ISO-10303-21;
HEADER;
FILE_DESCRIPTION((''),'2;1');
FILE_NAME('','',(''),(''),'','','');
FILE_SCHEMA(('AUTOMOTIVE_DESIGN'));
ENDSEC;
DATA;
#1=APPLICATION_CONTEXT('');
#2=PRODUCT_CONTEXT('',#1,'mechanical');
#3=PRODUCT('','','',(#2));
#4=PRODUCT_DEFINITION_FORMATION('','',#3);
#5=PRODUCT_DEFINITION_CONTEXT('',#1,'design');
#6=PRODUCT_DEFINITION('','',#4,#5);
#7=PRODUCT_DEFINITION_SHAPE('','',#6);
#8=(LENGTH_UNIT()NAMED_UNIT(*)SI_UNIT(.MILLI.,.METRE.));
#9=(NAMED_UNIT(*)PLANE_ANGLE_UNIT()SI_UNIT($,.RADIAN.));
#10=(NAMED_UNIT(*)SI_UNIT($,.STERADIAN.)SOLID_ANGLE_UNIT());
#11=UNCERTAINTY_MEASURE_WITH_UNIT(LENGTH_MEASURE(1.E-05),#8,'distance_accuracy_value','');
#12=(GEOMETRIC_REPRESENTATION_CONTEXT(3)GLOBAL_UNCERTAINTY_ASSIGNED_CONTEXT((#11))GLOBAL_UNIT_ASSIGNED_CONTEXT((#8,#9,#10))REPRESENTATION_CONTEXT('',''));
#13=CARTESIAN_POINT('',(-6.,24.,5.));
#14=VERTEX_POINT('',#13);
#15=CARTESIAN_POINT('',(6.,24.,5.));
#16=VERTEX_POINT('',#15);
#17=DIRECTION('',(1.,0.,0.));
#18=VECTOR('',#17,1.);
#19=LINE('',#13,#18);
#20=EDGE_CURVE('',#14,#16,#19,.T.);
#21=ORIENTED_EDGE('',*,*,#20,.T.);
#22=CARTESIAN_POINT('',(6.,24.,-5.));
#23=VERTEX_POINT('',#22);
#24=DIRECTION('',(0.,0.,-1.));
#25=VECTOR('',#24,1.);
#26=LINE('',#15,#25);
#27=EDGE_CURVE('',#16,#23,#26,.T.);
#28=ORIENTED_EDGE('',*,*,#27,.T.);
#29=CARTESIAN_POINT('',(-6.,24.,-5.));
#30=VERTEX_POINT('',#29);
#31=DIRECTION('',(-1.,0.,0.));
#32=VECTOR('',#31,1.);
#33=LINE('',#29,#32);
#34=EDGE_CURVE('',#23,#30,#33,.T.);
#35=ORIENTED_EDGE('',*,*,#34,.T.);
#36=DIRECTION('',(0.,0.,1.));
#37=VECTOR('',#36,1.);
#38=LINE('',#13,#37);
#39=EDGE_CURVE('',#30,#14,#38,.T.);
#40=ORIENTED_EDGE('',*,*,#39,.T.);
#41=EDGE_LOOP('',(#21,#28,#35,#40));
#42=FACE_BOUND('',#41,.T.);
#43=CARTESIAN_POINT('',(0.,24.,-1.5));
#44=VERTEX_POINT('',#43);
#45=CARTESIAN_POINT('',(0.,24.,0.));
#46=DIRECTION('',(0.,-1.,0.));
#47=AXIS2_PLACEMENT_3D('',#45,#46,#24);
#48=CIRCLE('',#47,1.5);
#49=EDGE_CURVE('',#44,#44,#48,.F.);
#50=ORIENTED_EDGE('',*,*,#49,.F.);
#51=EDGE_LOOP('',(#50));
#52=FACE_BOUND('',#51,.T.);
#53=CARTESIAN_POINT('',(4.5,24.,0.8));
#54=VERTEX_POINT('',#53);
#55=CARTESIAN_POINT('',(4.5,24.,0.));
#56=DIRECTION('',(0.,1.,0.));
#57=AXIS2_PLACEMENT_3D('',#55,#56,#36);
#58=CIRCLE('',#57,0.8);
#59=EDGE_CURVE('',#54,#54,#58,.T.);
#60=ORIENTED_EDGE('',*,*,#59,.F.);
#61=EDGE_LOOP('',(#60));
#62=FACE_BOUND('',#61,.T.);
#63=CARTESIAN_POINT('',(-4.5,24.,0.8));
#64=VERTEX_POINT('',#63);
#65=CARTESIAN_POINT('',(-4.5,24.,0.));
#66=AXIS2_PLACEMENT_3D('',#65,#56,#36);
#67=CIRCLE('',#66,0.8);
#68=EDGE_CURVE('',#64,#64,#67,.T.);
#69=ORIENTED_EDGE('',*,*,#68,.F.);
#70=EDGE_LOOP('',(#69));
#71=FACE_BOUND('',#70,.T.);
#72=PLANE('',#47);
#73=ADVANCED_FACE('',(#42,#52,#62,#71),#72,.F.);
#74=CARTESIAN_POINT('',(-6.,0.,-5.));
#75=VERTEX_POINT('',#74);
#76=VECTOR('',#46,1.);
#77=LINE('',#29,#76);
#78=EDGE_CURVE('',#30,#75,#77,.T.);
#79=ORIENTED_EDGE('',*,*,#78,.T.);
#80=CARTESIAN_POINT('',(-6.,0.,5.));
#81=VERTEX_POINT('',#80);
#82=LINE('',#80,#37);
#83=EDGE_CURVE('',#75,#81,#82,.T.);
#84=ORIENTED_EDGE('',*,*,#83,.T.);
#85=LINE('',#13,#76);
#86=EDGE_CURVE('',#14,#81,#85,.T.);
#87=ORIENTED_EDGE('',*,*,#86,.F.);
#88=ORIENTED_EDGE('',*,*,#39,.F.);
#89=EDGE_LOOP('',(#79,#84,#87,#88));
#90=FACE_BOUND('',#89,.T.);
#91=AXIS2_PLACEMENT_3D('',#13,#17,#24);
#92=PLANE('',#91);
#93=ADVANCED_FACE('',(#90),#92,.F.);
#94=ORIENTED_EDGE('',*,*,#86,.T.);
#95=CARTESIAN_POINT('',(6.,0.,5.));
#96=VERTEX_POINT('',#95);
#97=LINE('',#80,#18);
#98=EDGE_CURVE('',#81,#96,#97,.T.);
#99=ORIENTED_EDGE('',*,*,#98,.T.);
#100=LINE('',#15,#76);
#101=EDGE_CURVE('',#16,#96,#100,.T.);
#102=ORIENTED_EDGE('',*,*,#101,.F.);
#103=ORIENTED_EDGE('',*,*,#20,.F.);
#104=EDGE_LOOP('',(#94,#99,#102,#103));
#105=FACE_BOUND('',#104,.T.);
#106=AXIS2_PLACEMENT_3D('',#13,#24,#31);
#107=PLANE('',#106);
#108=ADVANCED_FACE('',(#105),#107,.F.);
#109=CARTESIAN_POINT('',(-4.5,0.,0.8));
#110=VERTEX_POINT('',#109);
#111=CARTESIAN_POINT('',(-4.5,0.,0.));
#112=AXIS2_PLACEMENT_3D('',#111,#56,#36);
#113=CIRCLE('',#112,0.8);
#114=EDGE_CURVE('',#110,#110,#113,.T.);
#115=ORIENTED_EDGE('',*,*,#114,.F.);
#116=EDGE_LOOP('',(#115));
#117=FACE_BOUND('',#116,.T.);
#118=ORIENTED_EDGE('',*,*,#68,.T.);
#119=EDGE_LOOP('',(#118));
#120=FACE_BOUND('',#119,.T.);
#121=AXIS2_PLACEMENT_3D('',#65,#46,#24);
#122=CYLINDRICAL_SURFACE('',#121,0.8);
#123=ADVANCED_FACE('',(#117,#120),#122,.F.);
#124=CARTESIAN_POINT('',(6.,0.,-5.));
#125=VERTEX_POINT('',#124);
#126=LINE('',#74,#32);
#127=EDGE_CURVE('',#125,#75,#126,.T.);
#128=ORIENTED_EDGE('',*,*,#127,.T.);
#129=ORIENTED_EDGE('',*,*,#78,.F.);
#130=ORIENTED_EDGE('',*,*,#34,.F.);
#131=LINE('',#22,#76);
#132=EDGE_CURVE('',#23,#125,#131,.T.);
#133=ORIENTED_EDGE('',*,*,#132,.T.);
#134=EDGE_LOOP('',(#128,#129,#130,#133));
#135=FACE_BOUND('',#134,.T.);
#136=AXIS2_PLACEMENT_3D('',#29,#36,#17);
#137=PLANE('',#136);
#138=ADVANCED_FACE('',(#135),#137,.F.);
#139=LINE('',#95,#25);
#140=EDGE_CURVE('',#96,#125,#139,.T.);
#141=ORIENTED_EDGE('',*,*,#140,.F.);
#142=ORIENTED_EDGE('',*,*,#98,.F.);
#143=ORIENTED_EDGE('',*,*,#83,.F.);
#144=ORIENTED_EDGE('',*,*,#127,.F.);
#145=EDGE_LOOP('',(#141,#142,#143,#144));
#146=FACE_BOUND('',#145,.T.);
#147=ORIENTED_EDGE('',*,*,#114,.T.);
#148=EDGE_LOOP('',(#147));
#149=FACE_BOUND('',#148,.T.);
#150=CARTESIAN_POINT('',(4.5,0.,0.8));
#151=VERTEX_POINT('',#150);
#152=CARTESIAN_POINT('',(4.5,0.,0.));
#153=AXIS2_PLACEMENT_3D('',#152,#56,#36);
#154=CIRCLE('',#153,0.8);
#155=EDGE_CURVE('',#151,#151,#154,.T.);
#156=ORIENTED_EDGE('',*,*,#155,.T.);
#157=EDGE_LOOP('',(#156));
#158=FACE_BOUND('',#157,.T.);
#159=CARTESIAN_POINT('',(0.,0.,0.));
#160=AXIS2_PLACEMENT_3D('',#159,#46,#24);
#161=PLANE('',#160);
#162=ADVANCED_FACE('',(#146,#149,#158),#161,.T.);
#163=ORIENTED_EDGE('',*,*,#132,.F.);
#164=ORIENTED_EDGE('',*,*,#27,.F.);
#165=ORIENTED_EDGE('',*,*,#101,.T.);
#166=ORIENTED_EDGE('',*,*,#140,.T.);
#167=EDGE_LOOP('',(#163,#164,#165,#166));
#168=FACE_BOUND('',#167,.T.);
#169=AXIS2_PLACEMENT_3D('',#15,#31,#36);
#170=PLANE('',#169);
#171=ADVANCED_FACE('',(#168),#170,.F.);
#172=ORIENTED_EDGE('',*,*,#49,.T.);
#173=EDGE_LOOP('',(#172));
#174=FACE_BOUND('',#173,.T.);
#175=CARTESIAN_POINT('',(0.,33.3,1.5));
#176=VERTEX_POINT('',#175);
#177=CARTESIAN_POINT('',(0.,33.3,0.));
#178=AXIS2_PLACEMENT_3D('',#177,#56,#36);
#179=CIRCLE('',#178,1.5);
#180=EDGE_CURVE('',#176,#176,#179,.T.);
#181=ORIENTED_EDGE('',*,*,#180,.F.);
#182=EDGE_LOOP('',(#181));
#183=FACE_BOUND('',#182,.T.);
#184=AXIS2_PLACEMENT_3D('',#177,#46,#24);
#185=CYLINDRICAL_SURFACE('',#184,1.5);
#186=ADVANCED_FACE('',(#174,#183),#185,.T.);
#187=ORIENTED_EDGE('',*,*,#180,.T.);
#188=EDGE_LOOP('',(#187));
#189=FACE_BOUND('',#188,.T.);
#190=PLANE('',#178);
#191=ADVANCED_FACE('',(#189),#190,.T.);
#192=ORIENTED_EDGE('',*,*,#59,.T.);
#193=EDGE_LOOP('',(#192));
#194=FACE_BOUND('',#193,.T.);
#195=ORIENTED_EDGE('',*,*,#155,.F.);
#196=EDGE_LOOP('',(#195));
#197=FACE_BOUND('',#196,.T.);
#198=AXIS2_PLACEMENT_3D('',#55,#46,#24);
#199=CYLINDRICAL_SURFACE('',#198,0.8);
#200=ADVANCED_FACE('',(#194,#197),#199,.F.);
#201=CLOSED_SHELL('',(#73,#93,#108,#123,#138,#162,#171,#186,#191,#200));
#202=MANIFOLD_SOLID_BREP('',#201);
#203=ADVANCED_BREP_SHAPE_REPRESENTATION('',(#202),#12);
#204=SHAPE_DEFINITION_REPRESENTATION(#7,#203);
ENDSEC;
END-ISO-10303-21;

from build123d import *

# Parameters (mm, degrees)
SKETCH_1_W      = 12
SKETCH_1_H      = 10
SKETCH_1_R      = 0.8
EXTRUDE_1_DEPTH = 24
SKETCH_2_R      = 1.5
EXTRUDE_2_DEPTH = 9.3


with BuildPart() as part:
    # 스케치1 → 보스-돌출1 (new body)
    with BuildSketch(Plane(origin=(0, 0, 0), x_dir=(1, 0, 0), z_dir=(0, 1, 0))):
        Rectangle(SKETCH_1_W, SKETCH_1_H)
        with Locations(Location((4.5, 0, 0), (0, 0, 270))):
            Circle(SKETCH_1_R, mode=Mode.SUBTRACT)
        with Locations(Location((-4.5, 0, 0), (0, 0, 270))):
            Circle(SKETCH_1_R, mode=Mode.SUBTRACT)
    extrude(amount=EXTRUDE_1_DEPTH)

    # 스케치2 → 보스-돌출2 (add)
    with BuildSketch(Plane(origin=(0, 24, 0), x_dir=(1, 0, 0), z_dir=(0, 1, 0))):
        with Locations(Location((0, 0, 0), (0, 0, 90))):
            Circle(SKETCH_2_R)
    extrude(amount=EXTRUDE_2_DEPTH)


solid = part.part
